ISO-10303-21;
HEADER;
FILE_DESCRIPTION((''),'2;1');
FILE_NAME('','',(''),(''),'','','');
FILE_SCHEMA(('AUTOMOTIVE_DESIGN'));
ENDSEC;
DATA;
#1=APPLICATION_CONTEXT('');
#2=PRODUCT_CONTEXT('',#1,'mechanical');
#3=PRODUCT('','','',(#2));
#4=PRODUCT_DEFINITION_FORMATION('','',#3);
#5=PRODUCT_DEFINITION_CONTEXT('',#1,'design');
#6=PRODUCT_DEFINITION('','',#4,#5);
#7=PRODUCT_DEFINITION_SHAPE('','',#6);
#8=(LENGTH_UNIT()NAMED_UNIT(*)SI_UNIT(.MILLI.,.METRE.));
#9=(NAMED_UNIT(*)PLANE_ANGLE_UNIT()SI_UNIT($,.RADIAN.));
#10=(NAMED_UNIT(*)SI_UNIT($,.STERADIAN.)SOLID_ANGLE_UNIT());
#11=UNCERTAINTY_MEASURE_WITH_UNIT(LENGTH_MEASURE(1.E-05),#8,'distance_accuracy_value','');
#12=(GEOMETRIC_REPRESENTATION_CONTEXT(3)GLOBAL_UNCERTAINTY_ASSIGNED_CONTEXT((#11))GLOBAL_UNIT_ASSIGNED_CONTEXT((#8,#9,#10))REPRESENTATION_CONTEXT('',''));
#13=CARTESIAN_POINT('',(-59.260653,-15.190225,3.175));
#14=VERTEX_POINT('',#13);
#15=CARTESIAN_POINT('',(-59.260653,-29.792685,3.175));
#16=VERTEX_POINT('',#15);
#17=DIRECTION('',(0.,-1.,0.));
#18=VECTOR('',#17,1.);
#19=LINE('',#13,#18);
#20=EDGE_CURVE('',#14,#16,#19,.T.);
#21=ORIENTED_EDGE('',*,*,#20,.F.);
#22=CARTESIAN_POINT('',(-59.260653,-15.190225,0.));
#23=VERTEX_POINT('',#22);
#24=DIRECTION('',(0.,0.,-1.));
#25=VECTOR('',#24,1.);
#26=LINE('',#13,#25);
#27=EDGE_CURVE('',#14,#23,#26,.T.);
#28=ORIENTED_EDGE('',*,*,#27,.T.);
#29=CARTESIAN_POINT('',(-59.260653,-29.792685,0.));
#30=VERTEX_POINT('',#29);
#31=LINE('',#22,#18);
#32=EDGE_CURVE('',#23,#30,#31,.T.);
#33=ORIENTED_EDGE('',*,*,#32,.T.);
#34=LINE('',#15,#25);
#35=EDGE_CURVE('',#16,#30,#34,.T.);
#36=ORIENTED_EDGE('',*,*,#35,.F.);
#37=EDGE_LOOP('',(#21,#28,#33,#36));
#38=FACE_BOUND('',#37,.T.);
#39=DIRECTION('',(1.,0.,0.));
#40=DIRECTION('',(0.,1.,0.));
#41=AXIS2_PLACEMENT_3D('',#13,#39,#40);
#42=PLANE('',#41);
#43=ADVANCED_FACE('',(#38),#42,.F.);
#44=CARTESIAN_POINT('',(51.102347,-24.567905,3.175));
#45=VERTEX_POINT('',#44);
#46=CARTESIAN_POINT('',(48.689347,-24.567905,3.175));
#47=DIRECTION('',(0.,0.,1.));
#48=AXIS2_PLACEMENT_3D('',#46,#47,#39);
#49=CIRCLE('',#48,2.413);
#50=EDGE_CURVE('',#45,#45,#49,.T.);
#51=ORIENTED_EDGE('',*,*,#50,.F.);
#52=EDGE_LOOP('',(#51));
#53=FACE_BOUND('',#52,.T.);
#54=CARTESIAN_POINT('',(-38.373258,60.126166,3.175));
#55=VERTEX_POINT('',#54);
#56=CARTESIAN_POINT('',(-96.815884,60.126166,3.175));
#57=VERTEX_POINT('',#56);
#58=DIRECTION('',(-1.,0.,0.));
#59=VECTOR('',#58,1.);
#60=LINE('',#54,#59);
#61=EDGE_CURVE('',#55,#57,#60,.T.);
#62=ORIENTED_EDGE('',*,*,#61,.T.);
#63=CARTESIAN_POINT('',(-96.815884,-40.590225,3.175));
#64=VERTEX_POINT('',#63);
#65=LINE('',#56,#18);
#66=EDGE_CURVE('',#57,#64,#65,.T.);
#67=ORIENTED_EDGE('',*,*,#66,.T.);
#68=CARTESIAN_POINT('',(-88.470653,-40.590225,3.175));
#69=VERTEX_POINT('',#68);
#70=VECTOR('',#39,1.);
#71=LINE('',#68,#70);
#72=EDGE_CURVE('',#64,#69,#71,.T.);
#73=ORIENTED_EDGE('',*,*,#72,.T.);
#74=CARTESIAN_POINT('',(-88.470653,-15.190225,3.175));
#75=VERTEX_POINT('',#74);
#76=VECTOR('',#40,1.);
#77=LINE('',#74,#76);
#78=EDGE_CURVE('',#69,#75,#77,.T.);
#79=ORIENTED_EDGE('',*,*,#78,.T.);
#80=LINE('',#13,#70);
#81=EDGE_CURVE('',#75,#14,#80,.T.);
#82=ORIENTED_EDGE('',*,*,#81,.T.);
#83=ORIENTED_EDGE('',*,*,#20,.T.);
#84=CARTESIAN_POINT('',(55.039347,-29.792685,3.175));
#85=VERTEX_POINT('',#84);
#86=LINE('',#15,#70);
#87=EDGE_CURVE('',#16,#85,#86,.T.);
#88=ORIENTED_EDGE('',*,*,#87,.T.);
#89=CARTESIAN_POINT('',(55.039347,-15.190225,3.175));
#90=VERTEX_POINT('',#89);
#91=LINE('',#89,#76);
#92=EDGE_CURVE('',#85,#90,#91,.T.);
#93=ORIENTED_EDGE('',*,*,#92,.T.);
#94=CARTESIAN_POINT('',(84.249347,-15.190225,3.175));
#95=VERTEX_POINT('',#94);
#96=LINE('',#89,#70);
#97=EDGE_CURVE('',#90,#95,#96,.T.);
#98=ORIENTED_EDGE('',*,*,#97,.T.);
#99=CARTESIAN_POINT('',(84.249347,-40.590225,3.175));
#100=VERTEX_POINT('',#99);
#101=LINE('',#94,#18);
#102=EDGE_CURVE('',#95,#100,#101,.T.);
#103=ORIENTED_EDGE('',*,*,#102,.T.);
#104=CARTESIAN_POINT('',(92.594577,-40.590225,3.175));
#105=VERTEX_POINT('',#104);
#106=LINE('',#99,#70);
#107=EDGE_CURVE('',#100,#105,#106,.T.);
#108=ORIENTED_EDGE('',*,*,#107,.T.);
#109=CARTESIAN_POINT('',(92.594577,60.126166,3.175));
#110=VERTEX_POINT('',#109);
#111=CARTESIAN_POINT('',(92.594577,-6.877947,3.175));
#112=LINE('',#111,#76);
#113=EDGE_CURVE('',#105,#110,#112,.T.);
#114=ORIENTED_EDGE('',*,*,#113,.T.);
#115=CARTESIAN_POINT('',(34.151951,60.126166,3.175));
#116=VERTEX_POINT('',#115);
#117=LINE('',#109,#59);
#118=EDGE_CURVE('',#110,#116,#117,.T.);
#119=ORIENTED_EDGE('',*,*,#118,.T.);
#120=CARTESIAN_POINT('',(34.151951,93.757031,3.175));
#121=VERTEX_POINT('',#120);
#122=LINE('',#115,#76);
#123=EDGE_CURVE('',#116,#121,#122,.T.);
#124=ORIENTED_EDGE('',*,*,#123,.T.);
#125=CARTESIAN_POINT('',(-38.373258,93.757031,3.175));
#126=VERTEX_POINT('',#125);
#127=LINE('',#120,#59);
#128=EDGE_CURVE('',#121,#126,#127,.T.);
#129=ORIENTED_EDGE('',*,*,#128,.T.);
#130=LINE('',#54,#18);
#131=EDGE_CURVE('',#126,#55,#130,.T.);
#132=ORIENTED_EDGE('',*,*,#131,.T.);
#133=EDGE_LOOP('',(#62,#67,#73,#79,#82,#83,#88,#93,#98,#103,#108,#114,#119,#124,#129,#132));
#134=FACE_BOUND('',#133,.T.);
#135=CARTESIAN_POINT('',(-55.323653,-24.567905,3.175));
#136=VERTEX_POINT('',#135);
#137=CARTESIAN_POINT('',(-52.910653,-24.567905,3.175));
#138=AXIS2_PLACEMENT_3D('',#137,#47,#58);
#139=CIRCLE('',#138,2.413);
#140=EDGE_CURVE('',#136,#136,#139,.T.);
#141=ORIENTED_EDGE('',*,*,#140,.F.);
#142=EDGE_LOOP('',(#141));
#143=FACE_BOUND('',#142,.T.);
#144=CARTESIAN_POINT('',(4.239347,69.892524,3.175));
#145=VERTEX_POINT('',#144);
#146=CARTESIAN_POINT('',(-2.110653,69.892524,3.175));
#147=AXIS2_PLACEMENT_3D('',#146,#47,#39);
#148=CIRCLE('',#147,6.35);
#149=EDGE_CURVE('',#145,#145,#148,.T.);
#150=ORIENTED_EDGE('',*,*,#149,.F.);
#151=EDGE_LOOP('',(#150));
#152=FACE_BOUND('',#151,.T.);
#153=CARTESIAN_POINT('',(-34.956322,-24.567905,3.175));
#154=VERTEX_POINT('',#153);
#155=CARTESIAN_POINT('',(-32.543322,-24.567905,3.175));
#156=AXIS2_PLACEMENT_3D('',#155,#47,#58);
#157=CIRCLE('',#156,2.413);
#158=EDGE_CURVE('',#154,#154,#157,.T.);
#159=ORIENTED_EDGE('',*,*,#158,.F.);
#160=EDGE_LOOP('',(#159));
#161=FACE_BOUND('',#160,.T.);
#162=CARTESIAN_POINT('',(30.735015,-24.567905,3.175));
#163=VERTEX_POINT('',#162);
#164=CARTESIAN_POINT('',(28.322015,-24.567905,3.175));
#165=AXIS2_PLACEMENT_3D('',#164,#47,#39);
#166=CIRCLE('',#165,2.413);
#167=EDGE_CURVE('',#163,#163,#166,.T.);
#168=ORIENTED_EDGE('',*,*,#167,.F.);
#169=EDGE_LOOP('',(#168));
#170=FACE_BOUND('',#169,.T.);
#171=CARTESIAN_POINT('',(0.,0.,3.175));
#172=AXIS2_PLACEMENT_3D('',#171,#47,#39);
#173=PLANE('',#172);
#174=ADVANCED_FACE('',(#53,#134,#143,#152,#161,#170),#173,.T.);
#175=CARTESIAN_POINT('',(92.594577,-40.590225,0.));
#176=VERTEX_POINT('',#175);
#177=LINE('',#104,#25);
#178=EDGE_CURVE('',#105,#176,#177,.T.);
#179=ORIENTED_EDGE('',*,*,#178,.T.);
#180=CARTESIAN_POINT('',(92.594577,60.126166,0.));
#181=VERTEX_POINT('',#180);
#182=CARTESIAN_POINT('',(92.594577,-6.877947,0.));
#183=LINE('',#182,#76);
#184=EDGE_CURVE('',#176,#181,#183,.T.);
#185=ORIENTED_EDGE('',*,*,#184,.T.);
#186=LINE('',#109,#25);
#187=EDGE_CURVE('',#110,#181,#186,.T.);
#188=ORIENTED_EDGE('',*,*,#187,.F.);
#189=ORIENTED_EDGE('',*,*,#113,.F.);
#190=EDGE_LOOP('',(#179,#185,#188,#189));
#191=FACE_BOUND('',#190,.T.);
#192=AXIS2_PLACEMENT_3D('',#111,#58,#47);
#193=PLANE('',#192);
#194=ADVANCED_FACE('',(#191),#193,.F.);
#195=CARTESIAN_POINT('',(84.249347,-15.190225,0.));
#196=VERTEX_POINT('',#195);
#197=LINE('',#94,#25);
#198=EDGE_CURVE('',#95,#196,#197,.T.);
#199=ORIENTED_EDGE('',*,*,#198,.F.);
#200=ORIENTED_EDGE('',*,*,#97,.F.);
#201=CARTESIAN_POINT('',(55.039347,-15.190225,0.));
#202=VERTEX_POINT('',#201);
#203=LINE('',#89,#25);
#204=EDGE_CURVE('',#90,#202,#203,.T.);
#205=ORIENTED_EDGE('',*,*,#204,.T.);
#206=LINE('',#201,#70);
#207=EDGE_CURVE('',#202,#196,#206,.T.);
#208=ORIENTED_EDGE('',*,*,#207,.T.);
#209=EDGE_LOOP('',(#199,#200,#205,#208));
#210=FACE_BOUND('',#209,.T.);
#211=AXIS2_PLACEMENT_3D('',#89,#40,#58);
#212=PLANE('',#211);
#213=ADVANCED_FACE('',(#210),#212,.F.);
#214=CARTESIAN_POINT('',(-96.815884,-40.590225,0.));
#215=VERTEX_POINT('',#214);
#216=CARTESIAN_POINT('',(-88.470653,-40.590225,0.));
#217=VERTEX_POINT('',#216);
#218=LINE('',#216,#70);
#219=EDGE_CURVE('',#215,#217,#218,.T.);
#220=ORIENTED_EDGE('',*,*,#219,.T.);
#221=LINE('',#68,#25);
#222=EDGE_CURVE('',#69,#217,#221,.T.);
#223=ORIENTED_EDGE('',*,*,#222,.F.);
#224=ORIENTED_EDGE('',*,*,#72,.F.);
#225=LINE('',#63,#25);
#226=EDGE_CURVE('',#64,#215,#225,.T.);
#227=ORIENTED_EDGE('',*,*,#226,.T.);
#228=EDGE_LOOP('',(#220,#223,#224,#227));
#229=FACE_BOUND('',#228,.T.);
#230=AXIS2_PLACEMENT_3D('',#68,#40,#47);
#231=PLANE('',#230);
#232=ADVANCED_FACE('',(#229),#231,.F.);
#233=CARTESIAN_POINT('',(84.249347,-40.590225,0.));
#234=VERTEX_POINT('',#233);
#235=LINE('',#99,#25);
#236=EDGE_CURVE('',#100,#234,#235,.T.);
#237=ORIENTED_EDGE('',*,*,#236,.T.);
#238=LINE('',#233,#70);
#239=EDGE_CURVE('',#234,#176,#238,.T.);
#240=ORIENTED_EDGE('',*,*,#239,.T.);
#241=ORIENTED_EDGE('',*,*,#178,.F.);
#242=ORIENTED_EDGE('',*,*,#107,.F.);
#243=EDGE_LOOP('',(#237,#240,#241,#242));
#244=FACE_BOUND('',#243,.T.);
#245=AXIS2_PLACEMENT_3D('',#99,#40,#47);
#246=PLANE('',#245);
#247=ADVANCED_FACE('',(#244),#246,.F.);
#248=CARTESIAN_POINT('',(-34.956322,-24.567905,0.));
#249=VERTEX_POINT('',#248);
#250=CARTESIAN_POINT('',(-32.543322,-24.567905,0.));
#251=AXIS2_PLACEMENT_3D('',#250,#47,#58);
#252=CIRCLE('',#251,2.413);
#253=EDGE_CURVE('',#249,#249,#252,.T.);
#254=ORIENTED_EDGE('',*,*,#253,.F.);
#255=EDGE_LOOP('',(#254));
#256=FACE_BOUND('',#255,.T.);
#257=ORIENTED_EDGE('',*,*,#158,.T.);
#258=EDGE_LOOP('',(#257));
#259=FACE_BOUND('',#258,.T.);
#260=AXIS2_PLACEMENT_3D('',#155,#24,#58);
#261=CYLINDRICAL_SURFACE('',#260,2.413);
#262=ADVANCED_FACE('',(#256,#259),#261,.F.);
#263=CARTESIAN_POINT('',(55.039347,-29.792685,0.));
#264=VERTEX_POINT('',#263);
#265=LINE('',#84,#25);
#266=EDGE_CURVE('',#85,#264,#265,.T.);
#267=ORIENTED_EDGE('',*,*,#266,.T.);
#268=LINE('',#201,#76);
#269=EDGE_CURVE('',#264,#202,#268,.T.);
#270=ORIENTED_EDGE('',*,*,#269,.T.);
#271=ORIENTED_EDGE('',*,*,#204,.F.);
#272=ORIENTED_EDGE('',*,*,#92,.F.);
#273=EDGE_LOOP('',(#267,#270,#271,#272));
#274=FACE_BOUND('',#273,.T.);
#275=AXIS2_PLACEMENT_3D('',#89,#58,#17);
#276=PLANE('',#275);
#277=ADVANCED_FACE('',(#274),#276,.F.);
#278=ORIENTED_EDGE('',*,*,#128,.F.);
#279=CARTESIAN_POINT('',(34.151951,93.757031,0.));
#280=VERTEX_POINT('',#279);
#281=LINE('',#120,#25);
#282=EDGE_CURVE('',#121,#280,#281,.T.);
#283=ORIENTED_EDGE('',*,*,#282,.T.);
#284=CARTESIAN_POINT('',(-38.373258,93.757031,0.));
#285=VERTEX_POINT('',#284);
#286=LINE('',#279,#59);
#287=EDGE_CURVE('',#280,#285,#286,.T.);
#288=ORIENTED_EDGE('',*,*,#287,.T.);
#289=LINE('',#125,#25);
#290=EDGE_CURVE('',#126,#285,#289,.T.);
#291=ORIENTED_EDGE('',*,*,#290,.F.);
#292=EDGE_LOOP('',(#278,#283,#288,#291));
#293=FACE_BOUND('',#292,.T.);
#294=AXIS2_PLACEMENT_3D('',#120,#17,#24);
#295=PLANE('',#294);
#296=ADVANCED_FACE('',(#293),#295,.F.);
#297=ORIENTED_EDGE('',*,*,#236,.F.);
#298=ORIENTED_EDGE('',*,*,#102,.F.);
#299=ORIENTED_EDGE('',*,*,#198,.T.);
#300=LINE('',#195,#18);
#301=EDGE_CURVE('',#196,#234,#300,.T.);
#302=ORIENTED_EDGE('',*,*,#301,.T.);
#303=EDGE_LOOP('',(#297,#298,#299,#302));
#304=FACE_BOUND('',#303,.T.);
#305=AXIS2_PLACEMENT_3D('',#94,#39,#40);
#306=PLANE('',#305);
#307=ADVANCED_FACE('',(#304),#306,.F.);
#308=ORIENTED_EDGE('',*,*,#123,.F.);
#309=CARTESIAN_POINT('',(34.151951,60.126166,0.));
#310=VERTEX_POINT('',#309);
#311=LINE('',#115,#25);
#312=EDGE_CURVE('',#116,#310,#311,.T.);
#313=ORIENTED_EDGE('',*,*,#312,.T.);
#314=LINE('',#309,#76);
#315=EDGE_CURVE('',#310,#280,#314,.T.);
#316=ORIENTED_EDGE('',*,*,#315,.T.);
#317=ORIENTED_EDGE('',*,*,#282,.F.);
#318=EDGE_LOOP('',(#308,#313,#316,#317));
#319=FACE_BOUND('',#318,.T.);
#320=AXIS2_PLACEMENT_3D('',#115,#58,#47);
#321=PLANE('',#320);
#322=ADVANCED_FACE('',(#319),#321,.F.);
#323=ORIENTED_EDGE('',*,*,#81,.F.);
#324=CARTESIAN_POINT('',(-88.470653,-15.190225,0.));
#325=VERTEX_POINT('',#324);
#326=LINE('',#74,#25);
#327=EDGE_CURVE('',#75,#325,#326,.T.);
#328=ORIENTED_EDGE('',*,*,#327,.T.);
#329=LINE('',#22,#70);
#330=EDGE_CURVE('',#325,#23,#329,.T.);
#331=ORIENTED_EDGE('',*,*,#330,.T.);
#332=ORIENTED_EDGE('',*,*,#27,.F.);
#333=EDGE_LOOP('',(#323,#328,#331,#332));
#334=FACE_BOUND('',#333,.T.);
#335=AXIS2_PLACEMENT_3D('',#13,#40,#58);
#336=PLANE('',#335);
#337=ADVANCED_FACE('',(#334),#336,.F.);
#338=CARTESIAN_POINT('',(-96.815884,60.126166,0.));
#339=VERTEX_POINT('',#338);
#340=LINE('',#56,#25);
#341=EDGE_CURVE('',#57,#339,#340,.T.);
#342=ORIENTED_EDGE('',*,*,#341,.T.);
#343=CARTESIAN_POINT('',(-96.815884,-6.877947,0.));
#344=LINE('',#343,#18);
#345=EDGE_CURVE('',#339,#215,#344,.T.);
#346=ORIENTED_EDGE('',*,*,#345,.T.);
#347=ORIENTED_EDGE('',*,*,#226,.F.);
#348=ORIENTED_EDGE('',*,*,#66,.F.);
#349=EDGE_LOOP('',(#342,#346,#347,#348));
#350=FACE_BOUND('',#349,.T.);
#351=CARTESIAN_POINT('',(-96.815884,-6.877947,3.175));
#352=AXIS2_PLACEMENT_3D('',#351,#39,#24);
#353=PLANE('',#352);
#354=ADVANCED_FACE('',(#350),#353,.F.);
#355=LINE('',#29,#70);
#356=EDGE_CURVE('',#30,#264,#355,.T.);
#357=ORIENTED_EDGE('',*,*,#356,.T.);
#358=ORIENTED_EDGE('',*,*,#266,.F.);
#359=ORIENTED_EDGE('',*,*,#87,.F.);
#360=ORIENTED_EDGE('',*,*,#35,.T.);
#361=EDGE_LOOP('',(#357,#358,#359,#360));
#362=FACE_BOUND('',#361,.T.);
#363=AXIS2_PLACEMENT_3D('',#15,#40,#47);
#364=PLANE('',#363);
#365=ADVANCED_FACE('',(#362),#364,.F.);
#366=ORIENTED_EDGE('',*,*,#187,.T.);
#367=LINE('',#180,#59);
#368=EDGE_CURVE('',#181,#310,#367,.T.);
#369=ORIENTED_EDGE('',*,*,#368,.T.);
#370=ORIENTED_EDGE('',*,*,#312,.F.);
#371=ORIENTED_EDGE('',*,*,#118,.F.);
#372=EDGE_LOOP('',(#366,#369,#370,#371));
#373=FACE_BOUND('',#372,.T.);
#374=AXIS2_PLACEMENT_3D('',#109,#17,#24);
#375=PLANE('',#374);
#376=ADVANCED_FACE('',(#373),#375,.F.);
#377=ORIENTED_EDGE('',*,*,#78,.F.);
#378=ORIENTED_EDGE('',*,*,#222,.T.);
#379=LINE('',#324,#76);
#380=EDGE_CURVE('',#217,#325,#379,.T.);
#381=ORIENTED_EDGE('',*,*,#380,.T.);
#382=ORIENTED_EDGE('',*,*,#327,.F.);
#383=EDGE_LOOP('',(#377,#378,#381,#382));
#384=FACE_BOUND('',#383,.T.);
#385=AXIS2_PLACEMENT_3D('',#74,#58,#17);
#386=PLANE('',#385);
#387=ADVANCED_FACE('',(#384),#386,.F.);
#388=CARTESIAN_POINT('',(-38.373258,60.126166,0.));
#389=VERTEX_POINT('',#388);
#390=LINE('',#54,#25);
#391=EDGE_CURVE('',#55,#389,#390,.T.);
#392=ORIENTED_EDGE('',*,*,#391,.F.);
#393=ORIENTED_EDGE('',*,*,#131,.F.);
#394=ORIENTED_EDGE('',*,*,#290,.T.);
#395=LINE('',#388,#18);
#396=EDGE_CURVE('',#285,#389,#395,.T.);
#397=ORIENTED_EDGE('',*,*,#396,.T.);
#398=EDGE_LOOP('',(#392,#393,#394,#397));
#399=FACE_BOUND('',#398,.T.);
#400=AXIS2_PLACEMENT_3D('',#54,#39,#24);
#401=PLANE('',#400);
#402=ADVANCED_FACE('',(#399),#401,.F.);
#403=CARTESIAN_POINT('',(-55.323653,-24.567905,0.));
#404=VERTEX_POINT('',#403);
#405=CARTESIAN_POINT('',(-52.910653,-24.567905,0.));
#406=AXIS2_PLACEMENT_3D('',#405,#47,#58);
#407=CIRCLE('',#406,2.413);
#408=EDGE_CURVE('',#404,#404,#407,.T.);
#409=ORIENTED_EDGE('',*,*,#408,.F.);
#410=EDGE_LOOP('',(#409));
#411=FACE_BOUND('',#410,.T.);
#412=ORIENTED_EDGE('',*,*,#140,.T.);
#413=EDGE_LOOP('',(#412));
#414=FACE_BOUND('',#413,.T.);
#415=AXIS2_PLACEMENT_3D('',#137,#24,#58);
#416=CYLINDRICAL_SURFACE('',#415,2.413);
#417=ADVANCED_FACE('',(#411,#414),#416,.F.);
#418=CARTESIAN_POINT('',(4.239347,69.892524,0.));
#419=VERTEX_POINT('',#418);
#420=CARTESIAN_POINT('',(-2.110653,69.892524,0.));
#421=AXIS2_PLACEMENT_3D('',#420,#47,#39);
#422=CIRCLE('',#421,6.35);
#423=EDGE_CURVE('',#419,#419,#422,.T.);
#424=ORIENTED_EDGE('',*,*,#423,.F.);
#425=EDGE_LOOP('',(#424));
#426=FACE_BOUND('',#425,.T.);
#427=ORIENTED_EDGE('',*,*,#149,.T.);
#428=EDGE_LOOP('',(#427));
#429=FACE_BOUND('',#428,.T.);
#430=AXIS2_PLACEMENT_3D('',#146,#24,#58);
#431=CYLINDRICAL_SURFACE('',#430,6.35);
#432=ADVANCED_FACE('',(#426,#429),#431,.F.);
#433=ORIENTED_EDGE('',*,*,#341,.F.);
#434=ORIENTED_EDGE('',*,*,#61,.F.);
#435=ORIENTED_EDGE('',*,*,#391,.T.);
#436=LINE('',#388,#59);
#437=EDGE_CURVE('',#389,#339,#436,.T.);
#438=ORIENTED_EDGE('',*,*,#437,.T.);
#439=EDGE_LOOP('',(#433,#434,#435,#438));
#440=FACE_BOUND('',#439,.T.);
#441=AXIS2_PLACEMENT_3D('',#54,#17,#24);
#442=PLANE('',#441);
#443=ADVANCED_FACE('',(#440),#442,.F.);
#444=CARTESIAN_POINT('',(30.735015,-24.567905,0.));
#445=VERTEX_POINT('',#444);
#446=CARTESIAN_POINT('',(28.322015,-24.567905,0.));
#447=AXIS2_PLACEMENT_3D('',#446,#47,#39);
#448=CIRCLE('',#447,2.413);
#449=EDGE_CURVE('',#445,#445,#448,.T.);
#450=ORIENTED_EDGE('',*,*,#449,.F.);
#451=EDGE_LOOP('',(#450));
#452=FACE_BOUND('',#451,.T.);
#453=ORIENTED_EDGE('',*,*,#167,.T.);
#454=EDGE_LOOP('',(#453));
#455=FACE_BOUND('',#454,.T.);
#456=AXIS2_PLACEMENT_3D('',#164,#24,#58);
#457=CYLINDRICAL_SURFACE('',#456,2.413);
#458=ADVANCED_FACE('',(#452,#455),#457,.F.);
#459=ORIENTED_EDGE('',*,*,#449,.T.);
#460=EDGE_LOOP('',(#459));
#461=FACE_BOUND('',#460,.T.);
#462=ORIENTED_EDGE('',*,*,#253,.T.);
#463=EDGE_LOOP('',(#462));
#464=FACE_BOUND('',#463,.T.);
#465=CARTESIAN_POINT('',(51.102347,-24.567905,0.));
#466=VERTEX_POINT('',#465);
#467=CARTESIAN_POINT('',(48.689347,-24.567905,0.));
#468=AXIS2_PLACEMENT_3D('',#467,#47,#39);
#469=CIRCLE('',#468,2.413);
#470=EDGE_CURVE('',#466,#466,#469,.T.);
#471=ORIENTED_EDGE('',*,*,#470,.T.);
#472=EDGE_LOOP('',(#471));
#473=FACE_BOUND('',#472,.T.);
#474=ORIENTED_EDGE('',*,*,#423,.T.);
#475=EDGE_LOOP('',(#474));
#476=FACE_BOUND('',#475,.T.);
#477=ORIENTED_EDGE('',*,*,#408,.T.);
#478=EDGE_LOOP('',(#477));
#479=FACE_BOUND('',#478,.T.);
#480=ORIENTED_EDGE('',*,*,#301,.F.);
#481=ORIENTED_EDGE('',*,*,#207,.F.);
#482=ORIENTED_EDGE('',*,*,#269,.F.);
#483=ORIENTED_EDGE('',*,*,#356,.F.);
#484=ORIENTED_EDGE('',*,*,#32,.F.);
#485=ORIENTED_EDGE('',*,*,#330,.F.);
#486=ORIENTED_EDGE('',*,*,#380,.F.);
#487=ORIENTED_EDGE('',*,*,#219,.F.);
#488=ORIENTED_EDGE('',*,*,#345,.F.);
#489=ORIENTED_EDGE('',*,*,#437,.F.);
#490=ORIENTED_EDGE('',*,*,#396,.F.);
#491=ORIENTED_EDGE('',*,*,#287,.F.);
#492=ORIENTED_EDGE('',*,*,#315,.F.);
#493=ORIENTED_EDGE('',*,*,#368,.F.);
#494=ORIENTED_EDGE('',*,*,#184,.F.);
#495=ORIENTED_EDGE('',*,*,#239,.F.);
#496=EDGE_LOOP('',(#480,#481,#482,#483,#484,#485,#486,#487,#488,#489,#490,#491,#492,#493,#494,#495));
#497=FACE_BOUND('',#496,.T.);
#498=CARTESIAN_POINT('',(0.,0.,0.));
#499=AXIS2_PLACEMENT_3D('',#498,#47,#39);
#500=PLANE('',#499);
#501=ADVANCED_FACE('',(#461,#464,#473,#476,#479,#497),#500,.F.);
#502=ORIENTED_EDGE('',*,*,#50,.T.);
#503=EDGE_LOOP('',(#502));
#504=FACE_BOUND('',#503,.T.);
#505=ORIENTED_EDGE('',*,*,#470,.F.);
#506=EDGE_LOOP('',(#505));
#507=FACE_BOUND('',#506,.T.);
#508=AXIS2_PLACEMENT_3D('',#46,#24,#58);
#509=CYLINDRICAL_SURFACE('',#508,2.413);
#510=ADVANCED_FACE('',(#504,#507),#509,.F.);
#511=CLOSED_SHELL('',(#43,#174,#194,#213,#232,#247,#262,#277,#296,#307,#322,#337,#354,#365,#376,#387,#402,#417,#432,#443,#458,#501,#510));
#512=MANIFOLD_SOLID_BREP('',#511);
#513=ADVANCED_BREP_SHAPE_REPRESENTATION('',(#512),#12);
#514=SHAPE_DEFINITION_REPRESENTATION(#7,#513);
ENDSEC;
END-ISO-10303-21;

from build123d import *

# Parameters (mm, degrees)
SKETCH1_R           = 2.413
SKETCH1_R_2         = 6.35
BOSS_EXTRUDE1_DEPTH = 3.175


with BuildPart() as part:
    # Sketch1 → Boss-Extrude1 (new body)
    with BuildSketch(Plane.XY):
        Polygon((92.594576982, -6.877947448), (92.594576982, 60.126165821), (34.151950775, 60.126165821), (34.151950775, 93.757031287), (-38.373257593, 93.757031287), (-38.373257593, 60.126165821), (-96.8158838, 60.126165821), (-96.8158838, -6.877947448), (-96.8158838, -40.590224659), (-88.470653409, -40.590224659), (-88.470653409, -15.190224659), (-59.260653409, -15.190224659), (-59.260653409, -29.792684659), (55.039346591, -29.792684659), (55.039346591, -15.190224659), (84.249346591, -15.190224659), (84.249346591, -40.590224659), (92.594576982, -40.590224659), align=None)
        with Locations((48.689346591, -24.567904659)):
            Circle(SKETCH1_R, mode=Mode.SUBTRACT)
        with Locations((28.322015094, -24.567904659)):
            Circle(SKETCH1_R, mode=Mode.SUBTRACT)
        with Locations((-32.543321912, -24.567904659)):
            Circle(SKETCH1_R, mode=Mode.SUBTRACT)
        with Locations((-52.910653409, -24.567904659)):
            Circle(SKETCH1_R, mode=Mode.SUBTRACT)
        with Locations((-2.110653409, 69.892524061)):
            Circle(SKETCH1_R_2, mode=Mode.SUBTRACT)
    extrude(amount=BOSS_EXTRUDE1_DEPTH)


solid = part.part
